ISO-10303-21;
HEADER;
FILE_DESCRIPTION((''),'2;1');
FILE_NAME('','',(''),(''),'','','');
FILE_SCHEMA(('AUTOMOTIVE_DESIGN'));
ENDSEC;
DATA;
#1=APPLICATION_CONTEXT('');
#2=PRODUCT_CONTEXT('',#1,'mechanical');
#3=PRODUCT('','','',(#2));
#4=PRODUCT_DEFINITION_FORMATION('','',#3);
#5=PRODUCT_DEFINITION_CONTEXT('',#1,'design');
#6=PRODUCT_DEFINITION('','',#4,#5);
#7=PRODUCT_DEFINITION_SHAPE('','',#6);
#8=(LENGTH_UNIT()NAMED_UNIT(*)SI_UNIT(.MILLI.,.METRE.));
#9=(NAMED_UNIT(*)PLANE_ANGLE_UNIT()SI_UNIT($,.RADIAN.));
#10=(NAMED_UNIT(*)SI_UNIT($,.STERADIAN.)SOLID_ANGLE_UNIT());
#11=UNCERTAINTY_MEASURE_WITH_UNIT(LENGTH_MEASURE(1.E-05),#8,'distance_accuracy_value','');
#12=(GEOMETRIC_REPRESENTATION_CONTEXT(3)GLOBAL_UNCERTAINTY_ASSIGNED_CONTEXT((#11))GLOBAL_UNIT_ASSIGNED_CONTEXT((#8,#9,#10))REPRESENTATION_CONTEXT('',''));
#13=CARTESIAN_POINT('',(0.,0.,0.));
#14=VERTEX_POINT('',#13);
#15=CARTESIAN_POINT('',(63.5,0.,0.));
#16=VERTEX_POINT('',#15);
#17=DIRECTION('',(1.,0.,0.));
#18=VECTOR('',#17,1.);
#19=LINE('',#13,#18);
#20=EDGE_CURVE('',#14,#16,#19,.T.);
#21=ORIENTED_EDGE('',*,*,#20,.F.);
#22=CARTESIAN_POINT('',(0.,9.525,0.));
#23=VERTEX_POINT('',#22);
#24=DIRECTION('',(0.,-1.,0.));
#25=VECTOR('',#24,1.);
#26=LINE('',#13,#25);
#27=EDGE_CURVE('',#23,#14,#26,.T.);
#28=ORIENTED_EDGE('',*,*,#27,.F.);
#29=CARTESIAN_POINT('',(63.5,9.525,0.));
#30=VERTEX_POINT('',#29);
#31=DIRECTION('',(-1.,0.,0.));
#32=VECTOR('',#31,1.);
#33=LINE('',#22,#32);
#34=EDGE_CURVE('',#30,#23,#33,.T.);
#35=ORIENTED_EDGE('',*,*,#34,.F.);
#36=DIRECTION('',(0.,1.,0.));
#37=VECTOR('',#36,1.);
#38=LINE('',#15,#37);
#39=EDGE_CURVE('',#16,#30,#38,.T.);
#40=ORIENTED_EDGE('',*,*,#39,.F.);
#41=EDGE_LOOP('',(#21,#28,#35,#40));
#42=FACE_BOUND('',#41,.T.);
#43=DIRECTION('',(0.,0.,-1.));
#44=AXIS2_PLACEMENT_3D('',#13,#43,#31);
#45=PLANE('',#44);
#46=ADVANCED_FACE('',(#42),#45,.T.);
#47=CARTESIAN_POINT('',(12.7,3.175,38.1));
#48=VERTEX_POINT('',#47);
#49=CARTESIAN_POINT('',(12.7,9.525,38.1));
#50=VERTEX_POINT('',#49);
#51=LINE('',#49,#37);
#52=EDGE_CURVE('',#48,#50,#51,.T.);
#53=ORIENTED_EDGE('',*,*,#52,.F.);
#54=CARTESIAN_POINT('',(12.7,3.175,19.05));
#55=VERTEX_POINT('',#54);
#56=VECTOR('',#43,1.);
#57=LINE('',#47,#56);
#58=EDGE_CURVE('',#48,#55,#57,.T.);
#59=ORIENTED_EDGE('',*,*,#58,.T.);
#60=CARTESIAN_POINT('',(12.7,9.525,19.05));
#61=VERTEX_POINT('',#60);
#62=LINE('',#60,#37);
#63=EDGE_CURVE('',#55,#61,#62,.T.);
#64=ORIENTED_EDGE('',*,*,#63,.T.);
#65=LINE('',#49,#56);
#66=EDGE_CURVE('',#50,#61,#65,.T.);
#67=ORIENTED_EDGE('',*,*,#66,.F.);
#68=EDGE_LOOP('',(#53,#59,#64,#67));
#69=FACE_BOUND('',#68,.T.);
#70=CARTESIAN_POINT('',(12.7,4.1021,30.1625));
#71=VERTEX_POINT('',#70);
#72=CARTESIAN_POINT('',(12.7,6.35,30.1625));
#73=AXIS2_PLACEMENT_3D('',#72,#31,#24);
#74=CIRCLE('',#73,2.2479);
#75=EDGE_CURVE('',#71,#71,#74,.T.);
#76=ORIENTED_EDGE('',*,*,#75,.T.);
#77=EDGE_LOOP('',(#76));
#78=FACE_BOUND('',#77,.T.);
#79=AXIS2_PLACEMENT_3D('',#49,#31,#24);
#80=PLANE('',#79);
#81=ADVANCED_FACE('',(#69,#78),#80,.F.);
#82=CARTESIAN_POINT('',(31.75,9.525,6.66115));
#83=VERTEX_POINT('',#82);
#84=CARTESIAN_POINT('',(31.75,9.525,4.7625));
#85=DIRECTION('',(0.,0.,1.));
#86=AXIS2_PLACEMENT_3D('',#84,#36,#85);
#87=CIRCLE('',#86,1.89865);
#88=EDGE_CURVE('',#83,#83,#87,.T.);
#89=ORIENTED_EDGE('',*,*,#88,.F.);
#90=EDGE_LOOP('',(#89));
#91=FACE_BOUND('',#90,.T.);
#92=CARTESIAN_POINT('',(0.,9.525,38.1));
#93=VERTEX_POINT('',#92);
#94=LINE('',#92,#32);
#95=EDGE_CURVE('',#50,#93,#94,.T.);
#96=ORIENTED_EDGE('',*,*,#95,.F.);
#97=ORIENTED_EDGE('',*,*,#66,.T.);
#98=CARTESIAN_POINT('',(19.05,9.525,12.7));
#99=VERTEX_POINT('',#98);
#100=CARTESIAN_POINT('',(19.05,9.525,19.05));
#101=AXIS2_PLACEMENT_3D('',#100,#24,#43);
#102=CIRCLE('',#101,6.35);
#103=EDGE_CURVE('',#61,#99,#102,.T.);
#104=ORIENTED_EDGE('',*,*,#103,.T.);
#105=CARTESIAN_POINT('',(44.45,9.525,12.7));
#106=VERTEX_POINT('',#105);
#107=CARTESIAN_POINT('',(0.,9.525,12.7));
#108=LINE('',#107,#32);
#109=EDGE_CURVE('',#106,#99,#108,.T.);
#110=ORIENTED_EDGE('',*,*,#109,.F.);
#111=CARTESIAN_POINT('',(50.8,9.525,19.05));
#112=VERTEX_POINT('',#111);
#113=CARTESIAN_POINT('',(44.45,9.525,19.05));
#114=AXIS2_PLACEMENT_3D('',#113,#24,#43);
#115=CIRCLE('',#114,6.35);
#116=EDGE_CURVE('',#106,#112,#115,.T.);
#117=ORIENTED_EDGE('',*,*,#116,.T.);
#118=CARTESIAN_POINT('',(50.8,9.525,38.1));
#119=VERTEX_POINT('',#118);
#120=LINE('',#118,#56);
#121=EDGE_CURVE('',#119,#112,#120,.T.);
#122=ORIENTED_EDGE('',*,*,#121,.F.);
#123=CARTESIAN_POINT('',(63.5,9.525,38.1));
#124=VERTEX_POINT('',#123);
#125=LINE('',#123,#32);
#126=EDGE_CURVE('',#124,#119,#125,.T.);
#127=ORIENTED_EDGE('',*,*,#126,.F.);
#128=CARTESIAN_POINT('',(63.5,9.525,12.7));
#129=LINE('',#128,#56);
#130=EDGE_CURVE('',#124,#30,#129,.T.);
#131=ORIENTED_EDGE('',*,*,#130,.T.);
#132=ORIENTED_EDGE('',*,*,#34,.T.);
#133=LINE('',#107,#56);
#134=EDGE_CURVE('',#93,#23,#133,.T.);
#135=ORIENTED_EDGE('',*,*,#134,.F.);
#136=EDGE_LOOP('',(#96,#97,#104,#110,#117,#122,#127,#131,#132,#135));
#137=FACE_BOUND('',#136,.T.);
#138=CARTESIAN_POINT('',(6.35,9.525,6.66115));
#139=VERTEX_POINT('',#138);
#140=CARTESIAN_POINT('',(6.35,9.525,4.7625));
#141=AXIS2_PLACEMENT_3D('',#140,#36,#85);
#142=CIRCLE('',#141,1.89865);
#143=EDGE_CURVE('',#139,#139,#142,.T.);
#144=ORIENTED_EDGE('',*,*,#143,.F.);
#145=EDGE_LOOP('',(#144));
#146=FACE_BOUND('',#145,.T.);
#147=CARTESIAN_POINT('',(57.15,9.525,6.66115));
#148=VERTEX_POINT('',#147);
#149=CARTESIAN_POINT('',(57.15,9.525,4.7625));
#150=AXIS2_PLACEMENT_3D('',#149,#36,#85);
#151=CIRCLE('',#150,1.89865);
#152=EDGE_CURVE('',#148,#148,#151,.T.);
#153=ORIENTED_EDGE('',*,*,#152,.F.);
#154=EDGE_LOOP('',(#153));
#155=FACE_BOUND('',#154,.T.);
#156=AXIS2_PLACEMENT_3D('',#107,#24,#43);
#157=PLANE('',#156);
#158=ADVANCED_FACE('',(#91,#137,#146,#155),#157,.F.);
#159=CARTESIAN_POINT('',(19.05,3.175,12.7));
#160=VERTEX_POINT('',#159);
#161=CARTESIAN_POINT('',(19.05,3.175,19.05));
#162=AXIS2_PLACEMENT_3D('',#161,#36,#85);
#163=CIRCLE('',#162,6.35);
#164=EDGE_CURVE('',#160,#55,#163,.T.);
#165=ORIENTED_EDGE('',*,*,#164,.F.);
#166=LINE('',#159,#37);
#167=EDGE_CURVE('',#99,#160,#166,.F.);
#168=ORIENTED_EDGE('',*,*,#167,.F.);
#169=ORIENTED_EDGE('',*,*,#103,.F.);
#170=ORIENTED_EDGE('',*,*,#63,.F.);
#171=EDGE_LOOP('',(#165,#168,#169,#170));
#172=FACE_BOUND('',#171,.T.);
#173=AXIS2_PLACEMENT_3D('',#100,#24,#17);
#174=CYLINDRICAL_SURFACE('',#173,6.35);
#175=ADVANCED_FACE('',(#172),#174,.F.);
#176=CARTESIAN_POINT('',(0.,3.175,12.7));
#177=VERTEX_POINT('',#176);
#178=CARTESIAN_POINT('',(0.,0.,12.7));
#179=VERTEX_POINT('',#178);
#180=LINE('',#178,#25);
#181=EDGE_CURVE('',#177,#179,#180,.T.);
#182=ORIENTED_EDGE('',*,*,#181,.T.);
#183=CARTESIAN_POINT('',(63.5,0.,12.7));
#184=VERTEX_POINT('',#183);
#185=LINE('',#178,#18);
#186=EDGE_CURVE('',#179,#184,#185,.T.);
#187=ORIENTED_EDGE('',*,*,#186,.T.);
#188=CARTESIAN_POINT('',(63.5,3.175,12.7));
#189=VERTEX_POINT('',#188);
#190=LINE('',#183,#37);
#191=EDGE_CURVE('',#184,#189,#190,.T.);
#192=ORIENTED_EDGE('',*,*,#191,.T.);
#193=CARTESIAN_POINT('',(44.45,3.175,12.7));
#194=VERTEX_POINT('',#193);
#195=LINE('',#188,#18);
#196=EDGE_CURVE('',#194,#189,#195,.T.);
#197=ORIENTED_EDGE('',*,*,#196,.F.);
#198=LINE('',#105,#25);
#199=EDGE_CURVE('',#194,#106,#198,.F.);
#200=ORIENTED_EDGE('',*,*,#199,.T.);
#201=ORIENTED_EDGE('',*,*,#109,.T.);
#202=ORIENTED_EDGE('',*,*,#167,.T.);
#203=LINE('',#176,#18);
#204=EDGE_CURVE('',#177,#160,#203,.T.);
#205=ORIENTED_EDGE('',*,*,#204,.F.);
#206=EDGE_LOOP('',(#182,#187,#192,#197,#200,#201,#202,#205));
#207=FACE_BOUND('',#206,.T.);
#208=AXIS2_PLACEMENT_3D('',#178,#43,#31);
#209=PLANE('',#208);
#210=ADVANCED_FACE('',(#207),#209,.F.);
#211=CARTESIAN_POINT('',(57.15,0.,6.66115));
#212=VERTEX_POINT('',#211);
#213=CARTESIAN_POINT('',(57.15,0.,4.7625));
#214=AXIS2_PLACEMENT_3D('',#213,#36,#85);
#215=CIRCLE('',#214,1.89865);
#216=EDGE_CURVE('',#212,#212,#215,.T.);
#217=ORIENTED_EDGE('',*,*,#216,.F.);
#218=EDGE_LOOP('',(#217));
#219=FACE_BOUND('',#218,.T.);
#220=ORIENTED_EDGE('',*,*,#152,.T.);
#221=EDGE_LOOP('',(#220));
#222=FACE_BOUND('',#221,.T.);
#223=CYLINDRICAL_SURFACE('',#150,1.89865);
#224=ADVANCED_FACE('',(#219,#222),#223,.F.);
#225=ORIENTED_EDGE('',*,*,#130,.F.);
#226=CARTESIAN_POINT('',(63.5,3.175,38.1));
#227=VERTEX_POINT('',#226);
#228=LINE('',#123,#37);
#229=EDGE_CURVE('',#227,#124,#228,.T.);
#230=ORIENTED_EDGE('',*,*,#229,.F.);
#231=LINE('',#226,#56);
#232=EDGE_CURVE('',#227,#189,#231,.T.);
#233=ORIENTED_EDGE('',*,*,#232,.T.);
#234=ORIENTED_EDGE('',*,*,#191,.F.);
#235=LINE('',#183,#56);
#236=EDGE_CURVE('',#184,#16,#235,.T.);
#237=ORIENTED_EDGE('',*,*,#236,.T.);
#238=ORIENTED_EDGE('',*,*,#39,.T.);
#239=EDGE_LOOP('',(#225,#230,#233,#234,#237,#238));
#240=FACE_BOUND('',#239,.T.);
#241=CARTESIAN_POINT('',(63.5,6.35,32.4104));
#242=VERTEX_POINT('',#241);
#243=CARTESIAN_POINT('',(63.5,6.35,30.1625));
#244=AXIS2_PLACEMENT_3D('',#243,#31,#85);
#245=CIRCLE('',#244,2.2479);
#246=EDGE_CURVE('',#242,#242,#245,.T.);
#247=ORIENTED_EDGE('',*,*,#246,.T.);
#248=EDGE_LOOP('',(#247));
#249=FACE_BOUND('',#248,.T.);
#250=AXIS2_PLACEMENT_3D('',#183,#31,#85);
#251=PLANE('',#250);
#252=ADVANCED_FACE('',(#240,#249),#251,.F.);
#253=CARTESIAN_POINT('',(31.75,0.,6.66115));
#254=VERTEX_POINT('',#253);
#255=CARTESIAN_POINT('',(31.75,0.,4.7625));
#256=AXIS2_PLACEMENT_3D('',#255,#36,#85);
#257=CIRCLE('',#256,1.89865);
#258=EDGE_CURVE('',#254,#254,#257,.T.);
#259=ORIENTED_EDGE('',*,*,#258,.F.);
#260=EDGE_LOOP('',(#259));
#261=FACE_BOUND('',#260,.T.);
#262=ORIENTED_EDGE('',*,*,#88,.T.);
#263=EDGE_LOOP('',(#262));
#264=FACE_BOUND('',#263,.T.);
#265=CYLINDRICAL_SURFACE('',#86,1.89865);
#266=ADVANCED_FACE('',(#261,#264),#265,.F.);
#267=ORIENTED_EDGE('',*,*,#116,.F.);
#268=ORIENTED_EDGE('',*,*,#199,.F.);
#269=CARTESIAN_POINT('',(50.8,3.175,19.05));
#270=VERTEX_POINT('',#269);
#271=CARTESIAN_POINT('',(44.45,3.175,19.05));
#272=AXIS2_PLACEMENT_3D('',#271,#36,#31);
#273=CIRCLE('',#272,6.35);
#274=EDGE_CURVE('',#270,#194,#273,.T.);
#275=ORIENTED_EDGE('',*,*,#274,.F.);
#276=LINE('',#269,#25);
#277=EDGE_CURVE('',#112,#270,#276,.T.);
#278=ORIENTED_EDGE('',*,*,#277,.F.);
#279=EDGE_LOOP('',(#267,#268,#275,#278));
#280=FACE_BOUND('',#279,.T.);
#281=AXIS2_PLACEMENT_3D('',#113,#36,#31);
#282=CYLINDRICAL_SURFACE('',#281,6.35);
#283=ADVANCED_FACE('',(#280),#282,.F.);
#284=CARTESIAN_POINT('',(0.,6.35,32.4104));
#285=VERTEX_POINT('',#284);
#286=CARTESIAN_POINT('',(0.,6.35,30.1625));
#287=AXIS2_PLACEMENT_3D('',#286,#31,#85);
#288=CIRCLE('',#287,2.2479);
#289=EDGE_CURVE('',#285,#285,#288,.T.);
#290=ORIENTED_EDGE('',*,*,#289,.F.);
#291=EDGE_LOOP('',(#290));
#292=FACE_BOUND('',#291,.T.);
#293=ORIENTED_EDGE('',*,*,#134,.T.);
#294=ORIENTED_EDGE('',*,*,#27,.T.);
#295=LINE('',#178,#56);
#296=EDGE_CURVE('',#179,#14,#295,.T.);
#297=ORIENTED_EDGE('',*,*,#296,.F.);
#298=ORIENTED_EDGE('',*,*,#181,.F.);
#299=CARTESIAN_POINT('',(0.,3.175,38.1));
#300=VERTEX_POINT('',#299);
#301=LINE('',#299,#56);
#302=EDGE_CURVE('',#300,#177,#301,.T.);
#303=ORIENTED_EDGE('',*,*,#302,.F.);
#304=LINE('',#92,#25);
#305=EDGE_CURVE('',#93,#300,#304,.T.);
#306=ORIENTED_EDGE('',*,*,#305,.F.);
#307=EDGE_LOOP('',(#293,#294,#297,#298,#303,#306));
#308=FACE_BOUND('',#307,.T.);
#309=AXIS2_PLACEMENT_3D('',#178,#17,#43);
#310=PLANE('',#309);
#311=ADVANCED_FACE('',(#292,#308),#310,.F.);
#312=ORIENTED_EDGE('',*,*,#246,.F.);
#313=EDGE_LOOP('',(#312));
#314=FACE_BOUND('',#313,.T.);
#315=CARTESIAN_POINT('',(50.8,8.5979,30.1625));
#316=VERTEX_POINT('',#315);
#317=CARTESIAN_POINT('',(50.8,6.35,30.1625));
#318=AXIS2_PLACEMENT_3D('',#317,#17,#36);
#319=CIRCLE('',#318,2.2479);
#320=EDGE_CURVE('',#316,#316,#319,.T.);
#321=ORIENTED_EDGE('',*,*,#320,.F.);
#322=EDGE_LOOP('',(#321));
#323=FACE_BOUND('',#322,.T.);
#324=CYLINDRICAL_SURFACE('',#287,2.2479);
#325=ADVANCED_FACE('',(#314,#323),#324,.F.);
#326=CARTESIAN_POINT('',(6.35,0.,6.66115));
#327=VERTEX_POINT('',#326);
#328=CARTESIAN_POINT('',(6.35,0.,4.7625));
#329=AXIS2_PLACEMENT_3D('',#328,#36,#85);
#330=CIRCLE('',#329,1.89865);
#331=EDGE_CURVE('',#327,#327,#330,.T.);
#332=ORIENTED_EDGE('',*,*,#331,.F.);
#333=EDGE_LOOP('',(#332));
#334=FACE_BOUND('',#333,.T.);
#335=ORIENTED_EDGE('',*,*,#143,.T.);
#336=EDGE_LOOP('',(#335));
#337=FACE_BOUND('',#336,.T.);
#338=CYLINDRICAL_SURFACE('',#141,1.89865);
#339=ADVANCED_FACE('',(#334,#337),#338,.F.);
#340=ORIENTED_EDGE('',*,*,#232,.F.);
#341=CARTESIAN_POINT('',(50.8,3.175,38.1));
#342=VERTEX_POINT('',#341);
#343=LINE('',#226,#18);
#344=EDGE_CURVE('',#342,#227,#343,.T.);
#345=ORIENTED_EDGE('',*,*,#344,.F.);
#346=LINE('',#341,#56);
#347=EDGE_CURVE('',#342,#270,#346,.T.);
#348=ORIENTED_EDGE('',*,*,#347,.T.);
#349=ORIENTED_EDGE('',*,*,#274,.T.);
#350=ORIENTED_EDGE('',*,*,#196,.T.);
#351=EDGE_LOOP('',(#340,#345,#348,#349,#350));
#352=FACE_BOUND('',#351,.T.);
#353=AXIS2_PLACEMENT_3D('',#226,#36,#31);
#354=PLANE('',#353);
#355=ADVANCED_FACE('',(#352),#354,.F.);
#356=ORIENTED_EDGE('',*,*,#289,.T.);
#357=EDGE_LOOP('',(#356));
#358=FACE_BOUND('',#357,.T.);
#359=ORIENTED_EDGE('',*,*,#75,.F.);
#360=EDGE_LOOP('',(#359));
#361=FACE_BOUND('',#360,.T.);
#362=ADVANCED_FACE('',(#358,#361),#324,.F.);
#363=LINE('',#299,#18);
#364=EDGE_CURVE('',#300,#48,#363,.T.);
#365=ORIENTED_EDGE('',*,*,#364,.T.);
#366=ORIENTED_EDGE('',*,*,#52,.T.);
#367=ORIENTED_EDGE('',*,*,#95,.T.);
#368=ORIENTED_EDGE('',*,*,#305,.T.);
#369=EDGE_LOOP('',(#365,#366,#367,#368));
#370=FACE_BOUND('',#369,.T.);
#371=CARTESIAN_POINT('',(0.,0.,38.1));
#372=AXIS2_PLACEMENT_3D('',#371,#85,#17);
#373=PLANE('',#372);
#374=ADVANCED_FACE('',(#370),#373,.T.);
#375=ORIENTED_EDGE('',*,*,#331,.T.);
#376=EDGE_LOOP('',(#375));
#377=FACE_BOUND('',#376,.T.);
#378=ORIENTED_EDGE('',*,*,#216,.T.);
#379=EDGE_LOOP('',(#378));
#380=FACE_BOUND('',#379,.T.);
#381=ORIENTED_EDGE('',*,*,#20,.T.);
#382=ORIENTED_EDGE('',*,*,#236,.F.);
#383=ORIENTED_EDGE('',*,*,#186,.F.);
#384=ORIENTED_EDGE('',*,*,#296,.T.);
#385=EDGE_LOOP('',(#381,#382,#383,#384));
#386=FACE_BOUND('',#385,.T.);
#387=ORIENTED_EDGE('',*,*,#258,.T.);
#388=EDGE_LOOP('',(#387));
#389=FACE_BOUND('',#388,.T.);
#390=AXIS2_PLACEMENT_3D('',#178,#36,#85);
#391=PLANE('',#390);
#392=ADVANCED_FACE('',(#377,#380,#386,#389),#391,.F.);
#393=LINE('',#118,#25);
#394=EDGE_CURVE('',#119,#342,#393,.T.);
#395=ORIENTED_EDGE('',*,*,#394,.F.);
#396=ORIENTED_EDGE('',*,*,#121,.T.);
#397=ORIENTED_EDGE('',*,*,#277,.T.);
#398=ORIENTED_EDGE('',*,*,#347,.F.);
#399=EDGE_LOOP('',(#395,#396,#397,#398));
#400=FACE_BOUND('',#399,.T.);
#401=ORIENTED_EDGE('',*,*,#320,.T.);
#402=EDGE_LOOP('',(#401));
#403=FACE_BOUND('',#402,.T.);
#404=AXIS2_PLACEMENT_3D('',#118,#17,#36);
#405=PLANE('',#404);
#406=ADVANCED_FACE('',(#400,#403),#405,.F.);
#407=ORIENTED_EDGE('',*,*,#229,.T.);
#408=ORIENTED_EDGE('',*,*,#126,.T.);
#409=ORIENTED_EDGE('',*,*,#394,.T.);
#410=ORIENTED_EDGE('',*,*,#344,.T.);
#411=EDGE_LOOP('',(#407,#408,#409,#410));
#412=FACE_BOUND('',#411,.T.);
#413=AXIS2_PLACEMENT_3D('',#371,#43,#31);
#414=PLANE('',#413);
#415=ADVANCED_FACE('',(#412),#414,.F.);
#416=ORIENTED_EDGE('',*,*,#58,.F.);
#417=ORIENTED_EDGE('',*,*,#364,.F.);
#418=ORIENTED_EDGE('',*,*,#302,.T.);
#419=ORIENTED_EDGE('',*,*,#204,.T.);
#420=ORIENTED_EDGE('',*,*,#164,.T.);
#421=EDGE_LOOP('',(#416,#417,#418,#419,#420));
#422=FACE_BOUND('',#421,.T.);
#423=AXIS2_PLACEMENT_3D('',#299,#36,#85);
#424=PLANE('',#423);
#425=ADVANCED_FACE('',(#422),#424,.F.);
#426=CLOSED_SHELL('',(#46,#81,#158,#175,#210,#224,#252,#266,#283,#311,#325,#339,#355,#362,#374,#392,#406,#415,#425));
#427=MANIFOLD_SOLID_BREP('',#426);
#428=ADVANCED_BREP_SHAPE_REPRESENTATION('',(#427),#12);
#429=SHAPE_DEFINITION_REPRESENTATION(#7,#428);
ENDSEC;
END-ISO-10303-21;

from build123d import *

# Parameters (mm, degrees)
SKETCH3_W                  = 63.5
SKETCH3_H                  = 9.525
BOSS_EXTRUDE1_DEPTH        = 12.7
TAP_DRILL_FOR_10_24_TAP1_D = 3.7973
SKETCH11_W                 = 12.7
SKETCH11_H                 = 6.35
BOSS_EXTRUDE2_DEPTH        = 25.4
F_8_CLEARANCE_HOLE2_D      = 4.4958
FILLET1_R                  = 6.35


with BuildPart() as part:
    # Sketch3 → Boss-Extrude1 (new body)
    with BuildSketch(Plane.XY):
        with Locations((31.75, 4.7625)):
            Rectangle(SKETCH3_W, SKETCH3_H)
    extrude(amount=BOSS_EXTRUDE1_DEPTH)

    # Tap Drill for #10-24 Tap1 (through all)
    with Locations(Plane(origin=(0, 9.525, 0), x_dir=(1, 0, 0), z_dir=(0, 1, 0))):
        with Locations((57.15, -4.7625), (6.35, -4.7625), (31.75, -4.7625)):
            Hole(TAP_DRILL_FOR_10_24_TAP1_D / 2)

    # Sketch11 → Boss-Extrude2 (add)
    with BuildSketch(Plane.XY.offset(12.7)):
        with Locations((6.35, 6.35)):
            Rectangle(SKETCH11_W, SKETCH11_H)
        with Locations((57.15, 6.35)):
            Rectangle(SKETCH11_W, SKETCH11_H)
    extrude(amount=BOSS_EXTRUDE2_DEPTH)

    # #8 Clearance Hole2 (through all)
    with Locations(Plane.ZY):
        with Locations((30.1625, 6.35)):
            Hole(F_8_CLEARANCE_HOLE2_D / 2)

    # Fillet1
    fillet1_edges = [part.edges().sort_by_distance(p)[0] for p in [
        (12.7, 6.35, 12.7),
        (50.8, 6.35, 12.7),
    ]]
    fillet(fillet1_edges, radius=FILLET1_R)


solid = part.part
